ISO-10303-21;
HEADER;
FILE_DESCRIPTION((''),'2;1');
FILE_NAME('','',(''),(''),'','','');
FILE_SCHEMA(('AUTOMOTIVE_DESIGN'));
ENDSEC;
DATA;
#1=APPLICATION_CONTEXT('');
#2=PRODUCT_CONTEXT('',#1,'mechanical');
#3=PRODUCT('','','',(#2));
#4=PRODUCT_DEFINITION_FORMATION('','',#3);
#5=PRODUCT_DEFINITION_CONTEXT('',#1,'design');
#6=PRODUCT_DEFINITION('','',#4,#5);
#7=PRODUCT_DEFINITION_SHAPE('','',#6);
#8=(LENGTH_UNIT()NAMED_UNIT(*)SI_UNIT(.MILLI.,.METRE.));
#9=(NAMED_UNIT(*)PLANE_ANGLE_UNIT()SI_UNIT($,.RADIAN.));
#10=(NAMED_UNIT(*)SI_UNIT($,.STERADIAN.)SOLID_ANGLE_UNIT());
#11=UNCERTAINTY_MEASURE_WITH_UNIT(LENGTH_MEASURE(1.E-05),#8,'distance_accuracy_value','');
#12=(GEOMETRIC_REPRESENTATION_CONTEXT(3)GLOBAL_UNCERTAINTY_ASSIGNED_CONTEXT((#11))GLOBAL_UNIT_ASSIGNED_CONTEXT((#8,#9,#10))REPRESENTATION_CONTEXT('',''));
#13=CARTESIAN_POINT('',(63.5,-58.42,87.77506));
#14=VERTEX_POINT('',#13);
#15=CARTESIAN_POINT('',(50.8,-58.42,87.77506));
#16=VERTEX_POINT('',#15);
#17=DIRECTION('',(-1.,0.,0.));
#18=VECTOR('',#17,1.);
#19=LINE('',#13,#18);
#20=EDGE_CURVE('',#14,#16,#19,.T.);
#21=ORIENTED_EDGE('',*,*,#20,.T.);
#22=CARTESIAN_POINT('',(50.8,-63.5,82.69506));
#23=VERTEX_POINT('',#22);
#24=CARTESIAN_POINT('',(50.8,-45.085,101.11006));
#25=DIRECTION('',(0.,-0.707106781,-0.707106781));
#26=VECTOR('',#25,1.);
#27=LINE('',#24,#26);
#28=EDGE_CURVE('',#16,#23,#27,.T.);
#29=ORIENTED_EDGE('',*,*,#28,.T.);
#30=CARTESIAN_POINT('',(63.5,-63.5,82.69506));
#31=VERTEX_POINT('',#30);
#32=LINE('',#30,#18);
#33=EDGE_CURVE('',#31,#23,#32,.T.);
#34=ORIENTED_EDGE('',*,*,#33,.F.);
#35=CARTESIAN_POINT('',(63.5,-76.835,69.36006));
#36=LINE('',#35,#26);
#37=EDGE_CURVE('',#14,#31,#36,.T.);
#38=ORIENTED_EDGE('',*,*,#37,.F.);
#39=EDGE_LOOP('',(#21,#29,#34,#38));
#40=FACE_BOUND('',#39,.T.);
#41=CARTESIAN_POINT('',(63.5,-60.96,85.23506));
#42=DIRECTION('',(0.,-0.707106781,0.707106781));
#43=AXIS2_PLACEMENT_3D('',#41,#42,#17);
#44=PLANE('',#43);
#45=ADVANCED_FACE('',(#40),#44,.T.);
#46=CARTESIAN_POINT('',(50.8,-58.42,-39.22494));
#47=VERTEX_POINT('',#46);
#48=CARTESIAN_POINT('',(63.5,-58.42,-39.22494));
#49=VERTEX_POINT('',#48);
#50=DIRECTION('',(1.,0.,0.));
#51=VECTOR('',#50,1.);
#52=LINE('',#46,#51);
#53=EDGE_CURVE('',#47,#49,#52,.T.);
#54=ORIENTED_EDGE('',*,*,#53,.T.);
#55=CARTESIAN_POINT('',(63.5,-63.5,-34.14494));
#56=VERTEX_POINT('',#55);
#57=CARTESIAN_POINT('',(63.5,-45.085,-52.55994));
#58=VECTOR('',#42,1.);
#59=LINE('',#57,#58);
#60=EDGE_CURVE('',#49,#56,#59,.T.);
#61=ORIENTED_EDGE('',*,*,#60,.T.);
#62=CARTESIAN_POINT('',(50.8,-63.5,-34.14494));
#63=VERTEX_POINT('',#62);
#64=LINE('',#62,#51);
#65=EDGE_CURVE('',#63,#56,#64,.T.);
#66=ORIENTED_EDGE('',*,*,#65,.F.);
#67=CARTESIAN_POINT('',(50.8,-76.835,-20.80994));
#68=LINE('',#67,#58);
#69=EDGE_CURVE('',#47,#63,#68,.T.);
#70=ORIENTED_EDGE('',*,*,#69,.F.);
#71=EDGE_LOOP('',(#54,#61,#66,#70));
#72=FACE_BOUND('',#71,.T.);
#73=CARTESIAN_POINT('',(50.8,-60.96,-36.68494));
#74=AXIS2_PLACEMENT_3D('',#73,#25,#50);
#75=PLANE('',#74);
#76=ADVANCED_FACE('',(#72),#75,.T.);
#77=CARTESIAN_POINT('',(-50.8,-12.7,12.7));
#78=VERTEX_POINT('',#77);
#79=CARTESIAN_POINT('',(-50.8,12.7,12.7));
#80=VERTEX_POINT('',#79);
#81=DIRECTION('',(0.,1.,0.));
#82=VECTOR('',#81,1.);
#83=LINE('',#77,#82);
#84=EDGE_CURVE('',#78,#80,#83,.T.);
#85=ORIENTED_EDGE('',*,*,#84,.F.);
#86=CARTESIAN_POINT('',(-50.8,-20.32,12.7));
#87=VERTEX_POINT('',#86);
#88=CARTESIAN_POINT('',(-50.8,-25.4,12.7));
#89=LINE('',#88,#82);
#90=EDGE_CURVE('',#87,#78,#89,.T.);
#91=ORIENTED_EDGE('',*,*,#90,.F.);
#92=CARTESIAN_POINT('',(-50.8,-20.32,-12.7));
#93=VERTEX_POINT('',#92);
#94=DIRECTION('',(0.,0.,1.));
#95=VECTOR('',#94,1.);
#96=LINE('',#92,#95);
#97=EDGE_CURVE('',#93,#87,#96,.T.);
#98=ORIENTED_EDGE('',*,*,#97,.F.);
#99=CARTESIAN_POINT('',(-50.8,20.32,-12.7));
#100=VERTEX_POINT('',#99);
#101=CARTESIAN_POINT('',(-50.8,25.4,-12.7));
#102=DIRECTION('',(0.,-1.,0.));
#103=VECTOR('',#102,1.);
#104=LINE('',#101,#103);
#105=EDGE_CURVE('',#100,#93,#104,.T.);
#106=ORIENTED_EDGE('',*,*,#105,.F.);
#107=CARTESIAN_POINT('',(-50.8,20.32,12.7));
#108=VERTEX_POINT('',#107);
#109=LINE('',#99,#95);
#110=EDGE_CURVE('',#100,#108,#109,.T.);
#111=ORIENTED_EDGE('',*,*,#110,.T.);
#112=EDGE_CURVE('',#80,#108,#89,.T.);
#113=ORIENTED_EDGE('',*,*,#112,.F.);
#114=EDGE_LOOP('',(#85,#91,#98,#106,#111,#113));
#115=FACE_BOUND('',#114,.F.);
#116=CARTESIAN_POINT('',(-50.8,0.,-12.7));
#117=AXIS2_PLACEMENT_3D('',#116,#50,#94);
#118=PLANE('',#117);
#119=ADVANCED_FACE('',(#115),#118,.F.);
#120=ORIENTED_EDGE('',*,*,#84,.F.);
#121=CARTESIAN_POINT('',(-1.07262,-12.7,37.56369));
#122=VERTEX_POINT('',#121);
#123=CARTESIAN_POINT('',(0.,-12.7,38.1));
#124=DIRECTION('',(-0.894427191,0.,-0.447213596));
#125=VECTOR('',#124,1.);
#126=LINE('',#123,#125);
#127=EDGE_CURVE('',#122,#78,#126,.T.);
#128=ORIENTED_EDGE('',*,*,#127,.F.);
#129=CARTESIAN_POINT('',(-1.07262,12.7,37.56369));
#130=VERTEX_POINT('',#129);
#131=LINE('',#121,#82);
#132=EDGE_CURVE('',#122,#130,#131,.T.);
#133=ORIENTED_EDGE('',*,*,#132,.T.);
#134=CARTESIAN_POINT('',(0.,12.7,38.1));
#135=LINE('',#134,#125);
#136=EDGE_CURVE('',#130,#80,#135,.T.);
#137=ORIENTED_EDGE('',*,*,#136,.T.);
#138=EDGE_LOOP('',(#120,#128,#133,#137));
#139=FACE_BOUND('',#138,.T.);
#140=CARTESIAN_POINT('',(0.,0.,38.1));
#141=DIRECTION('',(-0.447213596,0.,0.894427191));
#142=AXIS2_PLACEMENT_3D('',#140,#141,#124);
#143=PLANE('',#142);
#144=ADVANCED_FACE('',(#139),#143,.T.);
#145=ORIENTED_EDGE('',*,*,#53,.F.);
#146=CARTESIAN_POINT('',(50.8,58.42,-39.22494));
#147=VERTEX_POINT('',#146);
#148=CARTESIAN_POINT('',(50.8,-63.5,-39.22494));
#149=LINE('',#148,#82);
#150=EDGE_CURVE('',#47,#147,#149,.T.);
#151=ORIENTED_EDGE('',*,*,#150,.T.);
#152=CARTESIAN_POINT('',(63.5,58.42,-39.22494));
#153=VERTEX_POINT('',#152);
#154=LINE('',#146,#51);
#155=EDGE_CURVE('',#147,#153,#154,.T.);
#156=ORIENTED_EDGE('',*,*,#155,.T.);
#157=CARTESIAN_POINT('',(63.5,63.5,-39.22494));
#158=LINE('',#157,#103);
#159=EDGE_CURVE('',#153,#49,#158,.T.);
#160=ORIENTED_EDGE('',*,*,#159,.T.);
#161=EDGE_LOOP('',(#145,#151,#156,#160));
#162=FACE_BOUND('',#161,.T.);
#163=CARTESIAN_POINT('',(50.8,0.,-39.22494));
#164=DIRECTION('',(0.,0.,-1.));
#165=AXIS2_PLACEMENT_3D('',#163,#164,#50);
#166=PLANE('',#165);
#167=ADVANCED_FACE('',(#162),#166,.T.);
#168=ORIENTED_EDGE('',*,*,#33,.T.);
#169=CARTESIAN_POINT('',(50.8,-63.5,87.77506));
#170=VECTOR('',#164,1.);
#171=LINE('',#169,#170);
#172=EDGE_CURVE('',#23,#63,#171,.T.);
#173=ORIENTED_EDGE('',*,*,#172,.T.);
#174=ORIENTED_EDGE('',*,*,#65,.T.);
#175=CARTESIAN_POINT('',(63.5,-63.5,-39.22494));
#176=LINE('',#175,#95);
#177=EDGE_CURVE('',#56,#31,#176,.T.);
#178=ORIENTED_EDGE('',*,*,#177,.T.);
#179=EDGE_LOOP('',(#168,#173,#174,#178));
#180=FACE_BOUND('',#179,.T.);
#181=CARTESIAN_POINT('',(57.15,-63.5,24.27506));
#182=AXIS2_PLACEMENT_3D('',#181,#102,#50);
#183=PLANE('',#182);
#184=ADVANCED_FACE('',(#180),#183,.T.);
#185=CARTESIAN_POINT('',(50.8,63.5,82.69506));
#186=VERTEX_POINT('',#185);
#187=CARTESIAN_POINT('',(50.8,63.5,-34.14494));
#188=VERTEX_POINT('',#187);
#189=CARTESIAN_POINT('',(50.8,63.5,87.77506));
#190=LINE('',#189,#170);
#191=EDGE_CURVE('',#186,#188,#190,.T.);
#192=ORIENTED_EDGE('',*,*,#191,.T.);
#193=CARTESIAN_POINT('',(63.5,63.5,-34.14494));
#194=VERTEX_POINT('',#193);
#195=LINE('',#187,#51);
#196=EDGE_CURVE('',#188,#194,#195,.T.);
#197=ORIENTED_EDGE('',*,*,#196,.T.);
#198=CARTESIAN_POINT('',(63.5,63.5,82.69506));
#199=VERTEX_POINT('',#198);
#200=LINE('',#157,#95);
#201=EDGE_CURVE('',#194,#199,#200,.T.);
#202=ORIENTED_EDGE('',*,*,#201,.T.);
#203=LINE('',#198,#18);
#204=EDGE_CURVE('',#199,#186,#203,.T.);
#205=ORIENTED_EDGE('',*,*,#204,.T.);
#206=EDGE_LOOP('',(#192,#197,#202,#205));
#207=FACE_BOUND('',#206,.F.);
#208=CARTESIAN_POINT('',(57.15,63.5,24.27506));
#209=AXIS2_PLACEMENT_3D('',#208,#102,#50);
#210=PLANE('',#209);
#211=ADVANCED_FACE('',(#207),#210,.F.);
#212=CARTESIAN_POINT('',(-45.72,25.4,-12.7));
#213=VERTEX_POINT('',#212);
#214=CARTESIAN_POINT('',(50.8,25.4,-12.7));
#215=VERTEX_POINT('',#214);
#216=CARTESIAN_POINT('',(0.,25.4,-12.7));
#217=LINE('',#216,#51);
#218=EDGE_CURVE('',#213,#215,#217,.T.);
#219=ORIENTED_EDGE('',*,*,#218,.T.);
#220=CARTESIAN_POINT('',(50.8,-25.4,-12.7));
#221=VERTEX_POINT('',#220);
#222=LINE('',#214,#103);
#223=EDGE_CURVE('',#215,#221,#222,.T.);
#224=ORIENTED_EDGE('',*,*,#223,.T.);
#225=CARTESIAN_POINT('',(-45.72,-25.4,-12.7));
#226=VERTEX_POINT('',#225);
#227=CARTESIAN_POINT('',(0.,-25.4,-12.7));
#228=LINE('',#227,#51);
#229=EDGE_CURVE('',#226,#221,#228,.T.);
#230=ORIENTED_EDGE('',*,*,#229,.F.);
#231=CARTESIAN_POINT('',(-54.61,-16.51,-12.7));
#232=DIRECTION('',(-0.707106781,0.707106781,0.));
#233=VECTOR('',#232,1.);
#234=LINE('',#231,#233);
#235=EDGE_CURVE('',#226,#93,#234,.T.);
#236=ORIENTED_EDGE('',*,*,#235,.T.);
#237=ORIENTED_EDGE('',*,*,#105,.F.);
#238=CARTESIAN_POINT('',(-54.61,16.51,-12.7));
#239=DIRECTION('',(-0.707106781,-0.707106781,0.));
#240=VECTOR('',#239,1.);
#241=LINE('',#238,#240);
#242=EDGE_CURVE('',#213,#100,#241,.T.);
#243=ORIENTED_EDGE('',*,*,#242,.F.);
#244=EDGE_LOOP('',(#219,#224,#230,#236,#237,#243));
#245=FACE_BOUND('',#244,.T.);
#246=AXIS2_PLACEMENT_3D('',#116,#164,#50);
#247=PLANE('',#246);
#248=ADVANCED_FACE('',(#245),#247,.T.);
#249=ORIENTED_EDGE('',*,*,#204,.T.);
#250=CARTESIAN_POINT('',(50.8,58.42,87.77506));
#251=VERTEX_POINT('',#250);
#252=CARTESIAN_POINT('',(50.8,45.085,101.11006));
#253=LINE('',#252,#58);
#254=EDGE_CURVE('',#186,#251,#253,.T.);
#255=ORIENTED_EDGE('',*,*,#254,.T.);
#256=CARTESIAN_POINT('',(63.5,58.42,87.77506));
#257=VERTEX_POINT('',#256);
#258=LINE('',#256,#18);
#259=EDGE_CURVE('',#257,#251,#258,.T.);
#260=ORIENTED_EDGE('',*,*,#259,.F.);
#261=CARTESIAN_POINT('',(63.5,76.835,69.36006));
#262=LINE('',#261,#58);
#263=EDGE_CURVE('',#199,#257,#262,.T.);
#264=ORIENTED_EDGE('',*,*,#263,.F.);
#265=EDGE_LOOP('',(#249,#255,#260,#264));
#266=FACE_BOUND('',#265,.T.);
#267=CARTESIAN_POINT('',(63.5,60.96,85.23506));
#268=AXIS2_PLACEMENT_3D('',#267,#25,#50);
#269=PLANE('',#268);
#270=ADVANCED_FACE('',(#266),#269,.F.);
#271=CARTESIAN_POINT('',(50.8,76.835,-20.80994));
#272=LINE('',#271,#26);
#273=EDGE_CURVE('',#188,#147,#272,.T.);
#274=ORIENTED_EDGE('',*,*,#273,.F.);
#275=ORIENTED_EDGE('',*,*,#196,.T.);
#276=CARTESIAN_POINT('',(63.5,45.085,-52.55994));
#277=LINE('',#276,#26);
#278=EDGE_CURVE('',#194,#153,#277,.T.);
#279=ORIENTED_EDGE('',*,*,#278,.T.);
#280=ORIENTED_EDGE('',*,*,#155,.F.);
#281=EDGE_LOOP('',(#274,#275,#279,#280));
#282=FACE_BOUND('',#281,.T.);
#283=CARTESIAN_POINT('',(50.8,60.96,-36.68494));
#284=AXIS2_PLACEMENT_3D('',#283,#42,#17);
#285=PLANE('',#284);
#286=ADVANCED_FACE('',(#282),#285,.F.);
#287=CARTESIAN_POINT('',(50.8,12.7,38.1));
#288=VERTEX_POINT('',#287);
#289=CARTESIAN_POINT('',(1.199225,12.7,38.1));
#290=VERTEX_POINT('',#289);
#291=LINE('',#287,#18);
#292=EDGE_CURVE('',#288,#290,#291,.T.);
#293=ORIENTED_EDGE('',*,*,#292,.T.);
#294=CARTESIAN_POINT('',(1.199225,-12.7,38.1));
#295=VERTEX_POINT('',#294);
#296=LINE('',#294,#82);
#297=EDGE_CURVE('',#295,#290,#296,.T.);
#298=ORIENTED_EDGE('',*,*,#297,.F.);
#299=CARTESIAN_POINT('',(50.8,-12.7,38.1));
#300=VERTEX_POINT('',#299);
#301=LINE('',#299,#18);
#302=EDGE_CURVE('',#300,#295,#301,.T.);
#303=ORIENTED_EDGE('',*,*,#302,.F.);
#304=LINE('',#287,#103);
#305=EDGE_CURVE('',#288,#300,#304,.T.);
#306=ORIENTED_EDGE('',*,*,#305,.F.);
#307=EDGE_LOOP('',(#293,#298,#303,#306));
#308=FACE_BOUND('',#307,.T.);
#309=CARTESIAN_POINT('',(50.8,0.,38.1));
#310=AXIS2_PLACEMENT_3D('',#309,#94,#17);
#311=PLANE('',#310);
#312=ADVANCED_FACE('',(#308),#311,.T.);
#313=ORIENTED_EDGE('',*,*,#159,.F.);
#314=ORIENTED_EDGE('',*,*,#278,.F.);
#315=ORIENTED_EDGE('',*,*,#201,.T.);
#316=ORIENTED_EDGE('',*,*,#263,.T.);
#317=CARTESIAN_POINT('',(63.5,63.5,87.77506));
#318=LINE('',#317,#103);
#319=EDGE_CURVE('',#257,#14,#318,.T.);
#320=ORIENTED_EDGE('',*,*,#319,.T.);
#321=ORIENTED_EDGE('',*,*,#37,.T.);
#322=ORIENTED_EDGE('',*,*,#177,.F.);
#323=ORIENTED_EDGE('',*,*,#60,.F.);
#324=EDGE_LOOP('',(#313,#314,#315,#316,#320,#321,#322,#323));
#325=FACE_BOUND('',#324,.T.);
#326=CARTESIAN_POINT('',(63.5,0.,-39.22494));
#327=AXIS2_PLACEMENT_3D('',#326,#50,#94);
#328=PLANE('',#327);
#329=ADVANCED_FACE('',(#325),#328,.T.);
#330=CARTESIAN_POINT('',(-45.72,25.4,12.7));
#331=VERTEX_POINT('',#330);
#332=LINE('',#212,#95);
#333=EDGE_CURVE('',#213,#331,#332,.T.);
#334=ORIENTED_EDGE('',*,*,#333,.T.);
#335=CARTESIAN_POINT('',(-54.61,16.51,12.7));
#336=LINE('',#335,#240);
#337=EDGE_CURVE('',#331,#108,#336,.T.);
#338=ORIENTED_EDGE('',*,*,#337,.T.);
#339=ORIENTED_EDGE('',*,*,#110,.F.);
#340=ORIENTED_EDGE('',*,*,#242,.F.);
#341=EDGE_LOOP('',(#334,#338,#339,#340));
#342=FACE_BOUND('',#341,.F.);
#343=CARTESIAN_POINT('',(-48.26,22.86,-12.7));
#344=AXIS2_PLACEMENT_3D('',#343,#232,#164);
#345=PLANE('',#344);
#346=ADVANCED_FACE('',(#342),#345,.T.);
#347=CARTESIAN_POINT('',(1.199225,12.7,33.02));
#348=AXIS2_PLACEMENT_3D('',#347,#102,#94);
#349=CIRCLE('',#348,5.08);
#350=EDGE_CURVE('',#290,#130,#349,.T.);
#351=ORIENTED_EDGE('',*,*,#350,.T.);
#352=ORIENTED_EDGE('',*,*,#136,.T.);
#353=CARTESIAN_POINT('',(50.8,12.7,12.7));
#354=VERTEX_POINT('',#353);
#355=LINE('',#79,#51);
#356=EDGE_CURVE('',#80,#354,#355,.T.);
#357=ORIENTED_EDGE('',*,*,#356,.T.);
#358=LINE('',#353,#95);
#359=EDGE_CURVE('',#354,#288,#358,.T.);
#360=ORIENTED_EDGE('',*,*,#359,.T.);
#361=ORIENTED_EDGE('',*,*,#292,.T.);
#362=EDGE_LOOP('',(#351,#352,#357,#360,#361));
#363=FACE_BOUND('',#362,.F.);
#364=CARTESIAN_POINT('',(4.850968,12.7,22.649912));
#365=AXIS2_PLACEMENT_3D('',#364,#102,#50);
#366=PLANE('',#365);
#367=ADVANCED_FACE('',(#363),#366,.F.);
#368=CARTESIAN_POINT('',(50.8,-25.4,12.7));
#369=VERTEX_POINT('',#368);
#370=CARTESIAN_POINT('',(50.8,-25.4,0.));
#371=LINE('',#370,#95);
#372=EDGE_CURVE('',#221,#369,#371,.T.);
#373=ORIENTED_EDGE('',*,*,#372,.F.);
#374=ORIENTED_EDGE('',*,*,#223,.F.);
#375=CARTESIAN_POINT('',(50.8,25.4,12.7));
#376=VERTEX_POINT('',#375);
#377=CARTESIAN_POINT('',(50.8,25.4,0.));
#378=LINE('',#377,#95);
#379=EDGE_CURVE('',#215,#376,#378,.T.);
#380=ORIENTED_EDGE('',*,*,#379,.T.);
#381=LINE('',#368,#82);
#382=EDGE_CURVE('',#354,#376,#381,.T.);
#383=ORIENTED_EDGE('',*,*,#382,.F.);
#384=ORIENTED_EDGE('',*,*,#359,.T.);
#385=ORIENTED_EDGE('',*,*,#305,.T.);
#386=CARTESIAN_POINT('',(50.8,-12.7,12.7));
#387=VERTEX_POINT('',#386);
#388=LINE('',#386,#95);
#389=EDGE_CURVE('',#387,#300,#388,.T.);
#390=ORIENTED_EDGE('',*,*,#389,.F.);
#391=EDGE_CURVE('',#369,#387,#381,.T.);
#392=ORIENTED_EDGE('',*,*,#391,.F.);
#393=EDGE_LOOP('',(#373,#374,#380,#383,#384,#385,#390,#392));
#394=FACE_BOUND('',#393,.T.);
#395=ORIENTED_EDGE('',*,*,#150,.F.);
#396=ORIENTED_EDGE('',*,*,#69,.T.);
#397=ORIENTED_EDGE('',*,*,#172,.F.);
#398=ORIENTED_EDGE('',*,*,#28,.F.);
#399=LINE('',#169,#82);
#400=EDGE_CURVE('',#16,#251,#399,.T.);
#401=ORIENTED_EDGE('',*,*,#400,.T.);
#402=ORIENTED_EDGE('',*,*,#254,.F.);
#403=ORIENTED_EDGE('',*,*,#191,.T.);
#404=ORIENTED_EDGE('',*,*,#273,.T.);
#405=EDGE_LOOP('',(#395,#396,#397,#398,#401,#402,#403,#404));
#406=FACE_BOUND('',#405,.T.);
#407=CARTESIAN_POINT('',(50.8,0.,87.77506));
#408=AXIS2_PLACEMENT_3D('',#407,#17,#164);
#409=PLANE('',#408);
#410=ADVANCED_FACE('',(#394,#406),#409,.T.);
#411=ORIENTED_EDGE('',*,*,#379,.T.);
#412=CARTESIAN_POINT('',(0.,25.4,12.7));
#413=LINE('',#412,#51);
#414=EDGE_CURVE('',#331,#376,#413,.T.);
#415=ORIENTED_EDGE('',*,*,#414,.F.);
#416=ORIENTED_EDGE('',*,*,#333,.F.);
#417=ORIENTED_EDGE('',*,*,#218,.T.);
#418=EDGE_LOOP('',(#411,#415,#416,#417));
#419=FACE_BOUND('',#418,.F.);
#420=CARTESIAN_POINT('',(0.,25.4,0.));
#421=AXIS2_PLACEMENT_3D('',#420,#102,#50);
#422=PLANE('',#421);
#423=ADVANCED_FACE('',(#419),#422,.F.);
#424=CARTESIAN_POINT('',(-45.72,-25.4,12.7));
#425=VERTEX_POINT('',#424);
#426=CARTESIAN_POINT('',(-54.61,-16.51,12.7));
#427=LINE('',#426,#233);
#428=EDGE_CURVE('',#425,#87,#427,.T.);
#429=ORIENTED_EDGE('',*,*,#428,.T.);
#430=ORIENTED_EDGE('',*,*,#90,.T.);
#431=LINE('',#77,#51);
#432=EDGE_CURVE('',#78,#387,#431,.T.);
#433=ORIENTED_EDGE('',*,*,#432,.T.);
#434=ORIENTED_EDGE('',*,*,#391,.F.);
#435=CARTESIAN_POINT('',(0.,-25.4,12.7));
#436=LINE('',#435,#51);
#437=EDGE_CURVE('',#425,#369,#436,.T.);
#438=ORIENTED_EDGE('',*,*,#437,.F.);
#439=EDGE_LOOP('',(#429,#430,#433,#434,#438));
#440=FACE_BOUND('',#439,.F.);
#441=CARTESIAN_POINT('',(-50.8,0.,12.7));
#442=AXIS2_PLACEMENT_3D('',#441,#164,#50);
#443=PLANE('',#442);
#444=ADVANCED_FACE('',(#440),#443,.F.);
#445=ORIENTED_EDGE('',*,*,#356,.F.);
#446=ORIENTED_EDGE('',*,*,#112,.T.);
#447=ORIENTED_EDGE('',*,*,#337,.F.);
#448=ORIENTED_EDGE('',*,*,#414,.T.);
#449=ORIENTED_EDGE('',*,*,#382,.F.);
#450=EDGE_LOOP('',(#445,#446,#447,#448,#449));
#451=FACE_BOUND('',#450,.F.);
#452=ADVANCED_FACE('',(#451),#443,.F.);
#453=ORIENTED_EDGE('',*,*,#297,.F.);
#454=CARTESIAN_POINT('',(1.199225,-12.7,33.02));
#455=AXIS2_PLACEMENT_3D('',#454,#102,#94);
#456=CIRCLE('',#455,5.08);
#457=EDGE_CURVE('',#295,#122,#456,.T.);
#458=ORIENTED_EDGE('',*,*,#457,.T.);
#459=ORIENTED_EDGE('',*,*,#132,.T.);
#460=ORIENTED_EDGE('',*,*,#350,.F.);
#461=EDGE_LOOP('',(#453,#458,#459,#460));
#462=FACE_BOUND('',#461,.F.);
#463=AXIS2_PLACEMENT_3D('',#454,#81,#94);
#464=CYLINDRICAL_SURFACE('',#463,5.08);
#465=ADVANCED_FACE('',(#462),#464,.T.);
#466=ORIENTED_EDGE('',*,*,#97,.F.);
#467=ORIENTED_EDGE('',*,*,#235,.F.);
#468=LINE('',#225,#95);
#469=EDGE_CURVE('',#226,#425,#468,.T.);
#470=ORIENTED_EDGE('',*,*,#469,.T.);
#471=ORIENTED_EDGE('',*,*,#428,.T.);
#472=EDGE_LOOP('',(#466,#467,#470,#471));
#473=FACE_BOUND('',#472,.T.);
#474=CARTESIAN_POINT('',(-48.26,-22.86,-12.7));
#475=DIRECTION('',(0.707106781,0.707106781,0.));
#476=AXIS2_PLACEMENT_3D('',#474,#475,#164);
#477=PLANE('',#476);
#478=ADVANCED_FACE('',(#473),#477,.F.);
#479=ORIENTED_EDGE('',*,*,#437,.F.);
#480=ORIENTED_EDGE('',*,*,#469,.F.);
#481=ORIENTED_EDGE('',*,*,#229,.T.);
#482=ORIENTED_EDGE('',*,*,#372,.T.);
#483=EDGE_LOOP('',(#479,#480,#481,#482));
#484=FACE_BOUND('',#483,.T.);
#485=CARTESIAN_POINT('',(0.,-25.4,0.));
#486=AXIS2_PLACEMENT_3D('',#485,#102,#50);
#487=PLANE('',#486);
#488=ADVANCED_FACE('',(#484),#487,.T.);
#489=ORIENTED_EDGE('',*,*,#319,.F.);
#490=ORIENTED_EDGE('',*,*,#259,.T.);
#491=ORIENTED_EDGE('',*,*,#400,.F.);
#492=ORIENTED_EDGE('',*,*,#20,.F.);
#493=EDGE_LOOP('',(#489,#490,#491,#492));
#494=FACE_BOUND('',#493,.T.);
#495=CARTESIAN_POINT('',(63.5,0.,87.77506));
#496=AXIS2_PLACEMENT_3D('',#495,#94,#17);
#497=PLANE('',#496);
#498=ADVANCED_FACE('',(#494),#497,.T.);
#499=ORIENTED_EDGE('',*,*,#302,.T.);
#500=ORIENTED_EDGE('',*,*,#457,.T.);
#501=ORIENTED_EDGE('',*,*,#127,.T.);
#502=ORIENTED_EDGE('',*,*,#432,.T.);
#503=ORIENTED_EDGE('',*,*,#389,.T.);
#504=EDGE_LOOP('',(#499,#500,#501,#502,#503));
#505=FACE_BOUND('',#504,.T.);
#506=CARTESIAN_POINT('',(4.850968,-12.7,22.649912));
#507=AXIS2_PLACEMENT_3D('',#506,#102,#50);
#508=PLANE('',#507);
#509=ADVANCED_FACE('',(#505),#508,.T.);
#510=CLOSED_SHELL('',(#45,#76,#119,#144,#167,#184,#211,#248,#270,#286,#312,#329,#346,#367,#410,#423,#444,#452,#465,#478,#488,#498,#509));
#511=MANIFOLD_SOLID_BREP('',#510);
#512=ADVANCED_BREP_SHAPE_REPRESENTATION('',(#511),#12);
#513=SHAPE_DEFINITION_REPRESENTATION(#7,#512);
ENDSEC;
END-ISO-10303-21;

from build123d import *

# Parameters (mm, degrees)
F0_W     = 101.6
F0_H     = 25.4
F1_DEPTH = 25.4
F2_DEPTH = 12.7
F3_DEPTH = 63.5
F4_R     = 5.08
F5_SIZE  = 5.08


with BuildPart() as f1:
    # F0 (on Front) → F1 (new body, symmetric)
    with BuildSketch(Plane.XZ):
        Rectangle(F0_W, F0_H)
    extrude(amount=F1_DEPTH, both=True)

    # F0 (on Front) → F2 (join, symmetric)
    with BuildSketch(Plane.XZ):
        Polygon((-50.8, 12.7), (50.8, 12.7), (50.8, 38.1), (0, 38.1), align=None)
    extrude(amount=F2_DEPTH, both=True)

    # F0 (on Front) → F3 (join, symmetric)
    with BuildSketch(Plane.XZ):
        Polygon((50.8, 12.7), (50.8, -12.7), (50.8, -39.22494), (63.5, -39.22494), (63.5, 87.77506), (50.8, 87.77506), (50.8, 38.1), align=None)
    extrude(amount=F3_DEPTH, both=True)

    # F4
    f4_edges = [f1.edges().sort_by_distance(p)[0] for p in [
        (0, 0, 38.1),
    ]]
    fillet(f4_edges, radius=F4_R)

    # F5
    f5_edges = [f1.edges().sort_by_distance(p)[0] for p in [
        (57.15, 63.5, 87.77506),
        (57.15, -63.5, 87.77506),
        (57.15, 63.5, -39.22494),
        (57.15, -63.5, -39.22494),
        (-50.8, 25.4, 0),
        (-50.8, -25.4, 0),
    ]]
    chamfer(f5_edges, length=F5_SIZE)


solid = f1.part
